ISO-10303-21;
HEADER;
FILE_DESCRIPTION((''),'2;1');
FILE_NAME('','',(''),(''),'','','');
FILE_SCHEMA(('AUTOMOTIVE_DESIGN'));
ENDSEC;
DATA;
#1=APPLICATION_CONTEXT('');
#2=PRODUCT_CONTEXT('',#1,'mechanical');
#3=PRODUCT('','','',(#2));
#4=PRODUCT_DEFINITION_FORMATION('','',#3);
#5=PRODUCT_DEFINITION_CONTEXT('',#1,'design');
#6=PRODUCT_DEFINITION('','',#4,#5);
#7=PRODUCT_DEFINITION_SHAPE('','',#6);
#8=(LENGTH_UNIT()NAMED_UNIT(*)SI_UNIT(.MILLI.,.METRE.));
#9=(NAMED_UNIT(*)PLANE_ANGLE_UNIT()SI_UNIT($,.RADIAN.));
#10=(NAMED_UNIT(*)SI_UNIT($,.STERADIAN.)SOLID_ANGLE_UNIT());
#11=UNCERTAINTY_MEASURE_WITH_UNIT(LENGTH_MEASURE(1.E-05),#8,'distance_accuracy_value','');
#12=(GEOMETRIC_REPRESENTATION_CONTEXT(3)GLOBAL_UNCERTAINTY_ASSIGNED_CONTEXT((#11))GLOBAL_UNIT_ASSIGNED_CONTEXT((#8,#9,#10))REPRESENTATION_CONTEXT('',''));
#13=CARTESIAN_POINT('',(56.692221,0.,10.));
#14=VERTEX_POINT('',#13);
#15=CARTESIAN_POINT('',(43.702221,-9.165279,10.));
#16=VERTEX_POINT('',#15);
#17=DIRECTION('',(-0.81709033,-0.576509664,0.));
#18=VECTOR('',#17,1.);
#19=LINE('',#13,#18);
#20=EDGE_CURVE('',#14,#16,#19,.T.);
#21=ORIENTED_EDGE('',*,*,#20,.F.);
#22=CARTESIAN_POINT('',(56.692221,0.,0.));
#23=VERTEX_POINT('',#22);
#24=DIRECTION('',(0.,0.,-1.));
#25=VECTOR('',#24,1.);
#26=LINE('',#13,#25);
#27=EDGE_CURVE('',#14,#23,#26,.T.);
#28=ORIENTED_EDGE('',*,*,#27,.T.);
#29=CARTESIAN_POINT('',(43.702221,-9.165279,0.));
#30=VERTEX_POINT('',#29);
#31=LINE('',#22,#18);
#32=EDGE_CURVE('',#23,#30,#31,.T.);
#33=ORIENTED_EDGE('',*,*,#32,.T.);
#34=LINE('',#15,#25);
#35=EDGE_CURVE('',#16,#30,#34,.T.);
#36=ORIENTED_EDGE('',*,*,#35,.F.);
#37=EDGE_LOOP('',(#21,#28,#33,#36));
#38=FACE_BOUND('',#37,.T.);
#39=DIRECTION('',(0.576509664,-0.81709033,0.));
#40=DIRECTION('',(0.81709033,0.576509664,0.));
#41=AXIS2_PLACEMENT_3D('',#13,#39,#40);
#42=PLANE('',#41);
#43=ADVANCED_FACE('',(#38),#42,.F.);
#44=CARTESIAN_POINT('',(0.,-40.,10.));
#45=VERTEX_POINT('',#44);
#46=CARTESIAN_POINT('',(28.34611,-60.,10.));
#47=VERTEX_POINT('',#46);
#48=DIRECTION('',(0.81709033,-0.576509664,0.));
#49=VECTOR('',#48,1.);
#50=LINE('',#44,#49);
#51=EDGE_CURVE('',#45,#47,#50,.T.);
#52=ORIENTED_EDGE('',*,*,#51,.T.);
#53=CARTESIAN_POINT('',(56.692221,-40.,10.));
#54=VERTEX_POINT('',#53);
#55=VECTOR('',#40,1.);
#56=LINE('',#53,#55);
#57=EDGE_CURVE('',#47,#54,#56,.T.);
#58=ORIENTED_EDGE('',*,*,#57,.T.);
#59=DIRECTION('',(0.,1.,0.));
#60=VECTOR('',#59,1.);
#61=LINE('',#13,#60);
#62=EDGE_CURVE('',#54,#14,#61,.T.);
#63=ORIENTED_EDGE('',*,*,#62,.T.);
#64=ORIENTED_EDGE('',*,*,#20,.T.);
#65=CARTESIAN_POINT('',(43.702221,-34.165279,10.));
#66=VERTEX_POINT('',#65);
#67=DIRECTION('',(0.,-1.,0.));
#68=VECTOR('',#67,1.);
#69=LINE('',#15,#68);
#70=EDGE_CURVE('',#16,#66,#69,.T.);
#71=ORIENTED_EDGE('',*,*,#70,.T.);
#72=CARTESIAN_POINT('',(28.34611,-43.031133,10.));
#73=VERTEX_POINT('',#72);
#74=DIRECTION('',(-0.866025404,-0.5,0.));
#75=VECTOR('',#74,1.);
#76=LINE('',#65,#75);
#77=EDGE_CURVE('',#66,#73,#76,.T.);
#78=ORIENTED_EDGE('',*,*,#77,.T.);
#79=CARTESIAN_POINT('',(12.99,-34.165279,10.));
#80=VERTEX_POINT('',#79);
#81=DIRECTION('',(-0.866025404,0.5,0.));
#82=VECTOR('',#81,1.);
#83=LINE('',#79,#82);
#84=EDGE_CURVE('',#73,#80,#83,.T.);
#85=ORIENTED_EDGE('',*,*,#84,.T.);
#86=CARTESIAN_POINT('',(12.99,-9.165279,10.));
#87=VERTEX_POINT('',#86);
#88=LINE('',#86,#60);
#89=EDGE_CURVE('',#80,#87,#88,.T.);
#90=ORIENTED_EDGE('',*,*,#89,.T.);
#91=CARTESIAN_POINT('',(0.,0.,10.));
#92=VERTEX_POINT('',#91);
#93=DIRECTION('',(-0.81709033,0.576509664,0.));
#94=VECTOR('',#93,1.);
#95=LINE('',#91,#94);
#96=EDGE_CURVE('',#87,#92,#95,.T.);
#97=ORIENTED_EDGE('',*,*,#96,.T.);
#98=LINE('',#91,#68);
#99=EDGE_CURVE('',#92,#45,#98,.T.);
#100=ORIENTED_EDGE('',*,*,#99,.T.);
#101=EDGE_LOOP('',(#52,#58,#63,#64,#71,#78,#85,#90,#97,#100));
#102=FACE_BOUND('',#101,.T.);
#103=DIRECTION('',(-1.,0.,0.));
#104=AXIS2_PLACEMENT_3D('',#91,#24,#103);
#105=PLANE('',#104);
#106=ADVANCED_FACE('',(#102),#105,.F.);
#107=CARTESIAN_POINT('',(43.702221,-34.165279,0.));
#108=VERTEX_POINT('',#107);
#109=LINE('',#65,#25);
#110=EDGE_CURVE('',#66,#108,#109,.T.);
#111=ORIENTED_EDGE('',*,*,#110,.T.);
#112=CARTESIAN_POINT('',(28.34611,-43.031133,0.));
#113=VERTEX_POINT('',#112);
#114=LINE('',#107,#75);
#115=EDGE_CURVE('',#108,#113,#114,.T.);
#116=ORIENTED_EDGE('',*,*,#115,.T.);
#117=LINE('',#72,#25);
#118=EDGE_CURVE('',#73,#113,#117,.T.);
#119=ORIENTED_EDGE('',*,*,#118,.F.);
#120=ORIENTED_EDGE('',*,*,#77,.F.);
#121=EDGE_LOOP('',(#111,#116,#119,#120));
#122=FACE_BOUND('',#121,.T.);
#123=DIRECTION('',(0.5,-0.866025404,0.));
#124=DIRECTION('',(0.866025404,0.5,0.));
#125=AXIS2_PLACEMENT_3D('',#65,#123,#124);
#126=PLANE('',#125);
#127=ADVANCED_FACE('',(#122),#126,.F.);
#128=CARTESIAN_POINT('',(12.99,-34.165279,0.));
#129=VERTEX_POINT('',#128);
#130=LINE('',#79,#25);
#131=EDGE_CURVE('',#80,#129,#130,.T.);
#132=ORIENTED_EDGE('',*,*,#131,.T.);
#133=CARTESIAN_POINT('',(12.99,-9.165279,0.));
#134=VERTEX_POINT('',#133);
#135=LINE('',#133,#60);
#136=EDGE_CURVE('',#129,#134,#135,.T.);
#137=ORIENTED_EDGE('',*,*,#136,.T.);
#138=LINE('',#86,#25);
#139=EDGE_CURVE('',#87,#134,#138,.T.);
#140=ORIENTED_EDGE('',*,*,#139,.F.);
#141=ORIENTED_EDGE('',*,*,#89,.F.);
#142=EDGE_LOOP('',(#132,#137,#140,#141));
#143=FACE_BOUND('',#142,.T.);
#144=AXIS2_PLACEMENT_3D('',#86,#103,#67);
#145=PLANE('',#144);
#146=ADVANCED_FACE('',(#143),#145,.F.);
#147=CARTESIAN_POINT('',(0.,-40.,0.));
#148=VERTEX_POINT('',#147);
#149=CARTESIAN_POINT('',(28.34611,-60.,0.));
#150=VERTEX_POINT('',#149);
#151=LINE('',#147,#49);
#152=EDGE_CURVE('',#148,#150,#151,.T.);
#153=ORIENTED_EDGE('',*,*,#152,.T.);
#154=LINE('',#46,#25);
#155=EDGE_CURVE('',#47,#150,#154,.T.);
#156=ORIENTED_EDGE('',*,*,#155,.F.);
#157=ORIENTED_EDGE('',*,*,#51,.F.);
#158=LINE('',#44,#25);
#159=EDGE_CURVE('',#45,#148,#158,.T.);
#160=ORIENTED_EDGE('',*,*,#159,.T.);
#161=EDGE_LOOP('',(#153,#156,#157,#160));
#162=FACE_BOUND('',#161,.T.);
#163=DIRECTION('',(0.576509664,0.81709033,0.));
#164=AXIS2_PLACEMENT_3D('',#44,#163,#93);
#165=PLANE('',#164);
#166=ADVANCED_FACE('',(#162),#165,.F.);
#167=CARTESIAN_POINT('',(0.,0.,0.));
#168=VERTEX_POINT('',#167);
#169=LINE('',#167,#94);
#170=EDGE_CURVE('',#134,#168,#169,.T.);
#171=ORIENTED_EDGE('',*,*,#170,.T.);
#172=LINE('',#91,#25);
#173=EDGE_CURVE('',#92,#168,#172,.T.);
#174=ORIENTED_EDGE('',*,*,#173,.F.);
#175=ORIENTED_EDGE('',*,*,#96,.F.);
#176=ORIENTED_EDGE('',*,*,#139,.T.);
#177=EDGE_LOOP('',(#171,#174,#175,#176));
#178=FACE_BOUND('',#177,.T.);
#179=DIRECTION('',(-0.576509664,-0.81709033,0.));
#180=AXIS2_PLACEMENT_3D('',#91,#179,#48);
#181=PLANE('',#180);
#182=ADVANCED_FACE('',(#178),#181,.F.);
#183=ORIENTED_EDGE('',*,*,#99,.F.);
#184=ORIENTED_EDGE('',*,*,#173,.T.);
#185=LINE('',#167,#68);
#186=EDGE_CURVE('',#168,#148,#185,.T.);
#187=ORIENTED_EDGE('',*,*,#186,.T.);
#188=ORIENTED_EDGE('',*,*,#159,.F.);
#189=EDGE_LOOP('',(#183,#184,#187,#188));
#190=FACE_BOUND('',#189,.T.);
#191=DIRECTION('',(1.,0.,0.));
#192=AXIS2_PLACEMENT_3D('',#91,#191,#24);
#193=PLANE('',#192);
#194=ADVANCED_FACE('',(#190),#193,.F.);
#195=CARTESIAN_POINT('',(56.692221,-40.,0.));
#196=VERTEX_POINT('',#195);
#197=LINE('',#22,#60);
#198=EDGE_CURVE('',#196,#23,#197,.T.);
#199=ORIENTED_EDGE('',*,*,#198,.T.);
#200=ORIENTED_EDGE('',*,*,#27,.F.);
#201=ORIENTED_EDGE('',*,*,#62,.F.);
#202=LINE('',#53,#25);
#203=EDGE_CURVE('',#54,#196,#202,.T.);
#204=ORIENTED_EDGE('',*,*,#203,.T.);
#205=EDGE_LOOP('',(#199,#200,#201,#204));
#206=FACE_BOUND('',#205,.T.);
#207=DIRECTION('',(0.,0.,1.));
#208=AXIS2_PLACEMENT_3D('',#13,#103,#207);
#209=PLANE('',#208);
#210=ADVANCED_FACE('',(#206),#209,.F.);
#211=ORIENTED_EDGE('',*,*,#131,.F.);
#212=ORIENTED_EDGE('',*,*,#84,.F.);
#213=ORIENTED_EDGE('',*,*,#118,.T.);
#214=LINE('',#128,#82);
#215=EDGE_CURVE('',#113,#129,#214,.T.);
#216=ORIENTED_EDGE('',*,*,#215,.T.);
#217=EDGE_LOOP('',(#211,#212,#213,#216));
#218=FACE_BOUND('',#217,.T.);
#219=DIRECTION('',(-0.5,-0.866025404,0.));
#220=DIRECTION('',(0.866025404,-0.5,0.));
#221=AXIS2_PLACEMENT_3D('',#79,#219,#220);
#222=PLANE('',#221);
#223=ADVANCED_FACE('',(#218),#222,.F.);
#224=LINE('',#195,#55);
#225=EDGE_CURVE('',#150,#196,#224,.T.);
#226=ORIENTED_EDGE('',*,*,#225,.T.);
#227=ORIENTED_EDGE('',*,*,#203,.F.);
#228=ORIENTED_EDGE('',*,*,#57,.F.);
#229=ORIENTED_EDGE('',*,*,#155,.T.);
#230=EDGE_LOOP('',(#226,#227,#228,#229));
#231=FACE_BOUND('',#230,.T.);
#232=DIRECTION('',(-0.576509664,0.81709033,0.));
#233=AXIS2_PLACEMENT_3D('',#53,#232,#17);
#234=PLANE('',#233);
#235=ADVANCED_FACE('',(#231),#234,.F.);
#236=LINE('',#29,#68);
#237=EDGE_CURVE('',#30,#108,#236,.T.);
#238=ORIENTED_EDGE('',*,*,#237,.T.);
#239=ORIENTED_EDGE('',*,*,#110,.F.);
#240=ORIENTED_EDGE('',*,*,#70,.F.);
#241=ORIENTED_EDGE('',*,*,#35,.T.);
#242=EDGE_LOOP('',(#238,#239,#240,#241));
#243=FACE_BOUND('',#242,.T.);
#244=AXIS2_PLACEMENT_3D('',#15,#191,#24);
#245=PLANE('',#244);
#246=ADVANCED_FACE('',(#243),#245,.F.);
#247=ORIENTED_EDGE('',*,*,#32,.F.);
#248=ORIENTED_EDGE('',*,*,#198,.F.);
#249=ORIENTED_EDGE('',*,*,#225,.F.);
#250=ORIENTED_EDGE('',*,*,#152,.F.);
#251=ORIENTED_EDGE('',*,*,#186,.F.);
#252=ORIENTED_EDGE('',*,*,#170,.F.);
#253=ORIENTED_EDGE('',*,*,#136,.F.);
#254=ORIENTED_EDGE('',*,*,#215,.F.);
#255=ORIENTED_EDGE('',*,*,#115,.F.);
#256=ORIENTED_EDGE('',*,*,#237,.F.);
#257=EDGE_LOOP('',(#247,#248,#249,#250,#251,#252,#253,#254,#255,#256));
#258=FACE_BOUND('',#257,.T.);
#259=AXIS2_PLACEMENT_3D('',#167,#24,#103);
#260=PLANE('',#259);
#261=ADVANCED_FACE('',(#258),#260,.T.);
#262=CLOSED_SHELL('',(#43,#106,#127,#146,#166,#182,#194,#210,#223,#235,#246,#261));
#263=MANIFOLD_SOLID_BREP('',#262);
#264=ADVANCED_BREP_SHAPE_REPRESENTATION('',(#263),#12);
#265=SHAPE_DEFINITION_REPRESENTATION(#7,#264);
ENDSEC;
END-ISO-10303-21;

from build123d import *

# Parameters (mm, degrees)
EXTRUDE_1_DEPTH = 10


with BuildPart() as part:
    # 草图1 → 凸台-拉伸1 (new body)
    with BuildSketch(Plane.XY):
        Polygon((0, 0), (0, -40), (28.346110415, -60), (56.69222083, -40), (56.69222083, 0), (43.70222083, -9.165278629), (43.70222083, -34.165278629), (28.346110415, -43.031133111), (12.99, -34.165278629), (12.99, -9.165278629), align=None)
    extrude(amount=EXTRUDE_1_DEPTH)


solid = part.part
